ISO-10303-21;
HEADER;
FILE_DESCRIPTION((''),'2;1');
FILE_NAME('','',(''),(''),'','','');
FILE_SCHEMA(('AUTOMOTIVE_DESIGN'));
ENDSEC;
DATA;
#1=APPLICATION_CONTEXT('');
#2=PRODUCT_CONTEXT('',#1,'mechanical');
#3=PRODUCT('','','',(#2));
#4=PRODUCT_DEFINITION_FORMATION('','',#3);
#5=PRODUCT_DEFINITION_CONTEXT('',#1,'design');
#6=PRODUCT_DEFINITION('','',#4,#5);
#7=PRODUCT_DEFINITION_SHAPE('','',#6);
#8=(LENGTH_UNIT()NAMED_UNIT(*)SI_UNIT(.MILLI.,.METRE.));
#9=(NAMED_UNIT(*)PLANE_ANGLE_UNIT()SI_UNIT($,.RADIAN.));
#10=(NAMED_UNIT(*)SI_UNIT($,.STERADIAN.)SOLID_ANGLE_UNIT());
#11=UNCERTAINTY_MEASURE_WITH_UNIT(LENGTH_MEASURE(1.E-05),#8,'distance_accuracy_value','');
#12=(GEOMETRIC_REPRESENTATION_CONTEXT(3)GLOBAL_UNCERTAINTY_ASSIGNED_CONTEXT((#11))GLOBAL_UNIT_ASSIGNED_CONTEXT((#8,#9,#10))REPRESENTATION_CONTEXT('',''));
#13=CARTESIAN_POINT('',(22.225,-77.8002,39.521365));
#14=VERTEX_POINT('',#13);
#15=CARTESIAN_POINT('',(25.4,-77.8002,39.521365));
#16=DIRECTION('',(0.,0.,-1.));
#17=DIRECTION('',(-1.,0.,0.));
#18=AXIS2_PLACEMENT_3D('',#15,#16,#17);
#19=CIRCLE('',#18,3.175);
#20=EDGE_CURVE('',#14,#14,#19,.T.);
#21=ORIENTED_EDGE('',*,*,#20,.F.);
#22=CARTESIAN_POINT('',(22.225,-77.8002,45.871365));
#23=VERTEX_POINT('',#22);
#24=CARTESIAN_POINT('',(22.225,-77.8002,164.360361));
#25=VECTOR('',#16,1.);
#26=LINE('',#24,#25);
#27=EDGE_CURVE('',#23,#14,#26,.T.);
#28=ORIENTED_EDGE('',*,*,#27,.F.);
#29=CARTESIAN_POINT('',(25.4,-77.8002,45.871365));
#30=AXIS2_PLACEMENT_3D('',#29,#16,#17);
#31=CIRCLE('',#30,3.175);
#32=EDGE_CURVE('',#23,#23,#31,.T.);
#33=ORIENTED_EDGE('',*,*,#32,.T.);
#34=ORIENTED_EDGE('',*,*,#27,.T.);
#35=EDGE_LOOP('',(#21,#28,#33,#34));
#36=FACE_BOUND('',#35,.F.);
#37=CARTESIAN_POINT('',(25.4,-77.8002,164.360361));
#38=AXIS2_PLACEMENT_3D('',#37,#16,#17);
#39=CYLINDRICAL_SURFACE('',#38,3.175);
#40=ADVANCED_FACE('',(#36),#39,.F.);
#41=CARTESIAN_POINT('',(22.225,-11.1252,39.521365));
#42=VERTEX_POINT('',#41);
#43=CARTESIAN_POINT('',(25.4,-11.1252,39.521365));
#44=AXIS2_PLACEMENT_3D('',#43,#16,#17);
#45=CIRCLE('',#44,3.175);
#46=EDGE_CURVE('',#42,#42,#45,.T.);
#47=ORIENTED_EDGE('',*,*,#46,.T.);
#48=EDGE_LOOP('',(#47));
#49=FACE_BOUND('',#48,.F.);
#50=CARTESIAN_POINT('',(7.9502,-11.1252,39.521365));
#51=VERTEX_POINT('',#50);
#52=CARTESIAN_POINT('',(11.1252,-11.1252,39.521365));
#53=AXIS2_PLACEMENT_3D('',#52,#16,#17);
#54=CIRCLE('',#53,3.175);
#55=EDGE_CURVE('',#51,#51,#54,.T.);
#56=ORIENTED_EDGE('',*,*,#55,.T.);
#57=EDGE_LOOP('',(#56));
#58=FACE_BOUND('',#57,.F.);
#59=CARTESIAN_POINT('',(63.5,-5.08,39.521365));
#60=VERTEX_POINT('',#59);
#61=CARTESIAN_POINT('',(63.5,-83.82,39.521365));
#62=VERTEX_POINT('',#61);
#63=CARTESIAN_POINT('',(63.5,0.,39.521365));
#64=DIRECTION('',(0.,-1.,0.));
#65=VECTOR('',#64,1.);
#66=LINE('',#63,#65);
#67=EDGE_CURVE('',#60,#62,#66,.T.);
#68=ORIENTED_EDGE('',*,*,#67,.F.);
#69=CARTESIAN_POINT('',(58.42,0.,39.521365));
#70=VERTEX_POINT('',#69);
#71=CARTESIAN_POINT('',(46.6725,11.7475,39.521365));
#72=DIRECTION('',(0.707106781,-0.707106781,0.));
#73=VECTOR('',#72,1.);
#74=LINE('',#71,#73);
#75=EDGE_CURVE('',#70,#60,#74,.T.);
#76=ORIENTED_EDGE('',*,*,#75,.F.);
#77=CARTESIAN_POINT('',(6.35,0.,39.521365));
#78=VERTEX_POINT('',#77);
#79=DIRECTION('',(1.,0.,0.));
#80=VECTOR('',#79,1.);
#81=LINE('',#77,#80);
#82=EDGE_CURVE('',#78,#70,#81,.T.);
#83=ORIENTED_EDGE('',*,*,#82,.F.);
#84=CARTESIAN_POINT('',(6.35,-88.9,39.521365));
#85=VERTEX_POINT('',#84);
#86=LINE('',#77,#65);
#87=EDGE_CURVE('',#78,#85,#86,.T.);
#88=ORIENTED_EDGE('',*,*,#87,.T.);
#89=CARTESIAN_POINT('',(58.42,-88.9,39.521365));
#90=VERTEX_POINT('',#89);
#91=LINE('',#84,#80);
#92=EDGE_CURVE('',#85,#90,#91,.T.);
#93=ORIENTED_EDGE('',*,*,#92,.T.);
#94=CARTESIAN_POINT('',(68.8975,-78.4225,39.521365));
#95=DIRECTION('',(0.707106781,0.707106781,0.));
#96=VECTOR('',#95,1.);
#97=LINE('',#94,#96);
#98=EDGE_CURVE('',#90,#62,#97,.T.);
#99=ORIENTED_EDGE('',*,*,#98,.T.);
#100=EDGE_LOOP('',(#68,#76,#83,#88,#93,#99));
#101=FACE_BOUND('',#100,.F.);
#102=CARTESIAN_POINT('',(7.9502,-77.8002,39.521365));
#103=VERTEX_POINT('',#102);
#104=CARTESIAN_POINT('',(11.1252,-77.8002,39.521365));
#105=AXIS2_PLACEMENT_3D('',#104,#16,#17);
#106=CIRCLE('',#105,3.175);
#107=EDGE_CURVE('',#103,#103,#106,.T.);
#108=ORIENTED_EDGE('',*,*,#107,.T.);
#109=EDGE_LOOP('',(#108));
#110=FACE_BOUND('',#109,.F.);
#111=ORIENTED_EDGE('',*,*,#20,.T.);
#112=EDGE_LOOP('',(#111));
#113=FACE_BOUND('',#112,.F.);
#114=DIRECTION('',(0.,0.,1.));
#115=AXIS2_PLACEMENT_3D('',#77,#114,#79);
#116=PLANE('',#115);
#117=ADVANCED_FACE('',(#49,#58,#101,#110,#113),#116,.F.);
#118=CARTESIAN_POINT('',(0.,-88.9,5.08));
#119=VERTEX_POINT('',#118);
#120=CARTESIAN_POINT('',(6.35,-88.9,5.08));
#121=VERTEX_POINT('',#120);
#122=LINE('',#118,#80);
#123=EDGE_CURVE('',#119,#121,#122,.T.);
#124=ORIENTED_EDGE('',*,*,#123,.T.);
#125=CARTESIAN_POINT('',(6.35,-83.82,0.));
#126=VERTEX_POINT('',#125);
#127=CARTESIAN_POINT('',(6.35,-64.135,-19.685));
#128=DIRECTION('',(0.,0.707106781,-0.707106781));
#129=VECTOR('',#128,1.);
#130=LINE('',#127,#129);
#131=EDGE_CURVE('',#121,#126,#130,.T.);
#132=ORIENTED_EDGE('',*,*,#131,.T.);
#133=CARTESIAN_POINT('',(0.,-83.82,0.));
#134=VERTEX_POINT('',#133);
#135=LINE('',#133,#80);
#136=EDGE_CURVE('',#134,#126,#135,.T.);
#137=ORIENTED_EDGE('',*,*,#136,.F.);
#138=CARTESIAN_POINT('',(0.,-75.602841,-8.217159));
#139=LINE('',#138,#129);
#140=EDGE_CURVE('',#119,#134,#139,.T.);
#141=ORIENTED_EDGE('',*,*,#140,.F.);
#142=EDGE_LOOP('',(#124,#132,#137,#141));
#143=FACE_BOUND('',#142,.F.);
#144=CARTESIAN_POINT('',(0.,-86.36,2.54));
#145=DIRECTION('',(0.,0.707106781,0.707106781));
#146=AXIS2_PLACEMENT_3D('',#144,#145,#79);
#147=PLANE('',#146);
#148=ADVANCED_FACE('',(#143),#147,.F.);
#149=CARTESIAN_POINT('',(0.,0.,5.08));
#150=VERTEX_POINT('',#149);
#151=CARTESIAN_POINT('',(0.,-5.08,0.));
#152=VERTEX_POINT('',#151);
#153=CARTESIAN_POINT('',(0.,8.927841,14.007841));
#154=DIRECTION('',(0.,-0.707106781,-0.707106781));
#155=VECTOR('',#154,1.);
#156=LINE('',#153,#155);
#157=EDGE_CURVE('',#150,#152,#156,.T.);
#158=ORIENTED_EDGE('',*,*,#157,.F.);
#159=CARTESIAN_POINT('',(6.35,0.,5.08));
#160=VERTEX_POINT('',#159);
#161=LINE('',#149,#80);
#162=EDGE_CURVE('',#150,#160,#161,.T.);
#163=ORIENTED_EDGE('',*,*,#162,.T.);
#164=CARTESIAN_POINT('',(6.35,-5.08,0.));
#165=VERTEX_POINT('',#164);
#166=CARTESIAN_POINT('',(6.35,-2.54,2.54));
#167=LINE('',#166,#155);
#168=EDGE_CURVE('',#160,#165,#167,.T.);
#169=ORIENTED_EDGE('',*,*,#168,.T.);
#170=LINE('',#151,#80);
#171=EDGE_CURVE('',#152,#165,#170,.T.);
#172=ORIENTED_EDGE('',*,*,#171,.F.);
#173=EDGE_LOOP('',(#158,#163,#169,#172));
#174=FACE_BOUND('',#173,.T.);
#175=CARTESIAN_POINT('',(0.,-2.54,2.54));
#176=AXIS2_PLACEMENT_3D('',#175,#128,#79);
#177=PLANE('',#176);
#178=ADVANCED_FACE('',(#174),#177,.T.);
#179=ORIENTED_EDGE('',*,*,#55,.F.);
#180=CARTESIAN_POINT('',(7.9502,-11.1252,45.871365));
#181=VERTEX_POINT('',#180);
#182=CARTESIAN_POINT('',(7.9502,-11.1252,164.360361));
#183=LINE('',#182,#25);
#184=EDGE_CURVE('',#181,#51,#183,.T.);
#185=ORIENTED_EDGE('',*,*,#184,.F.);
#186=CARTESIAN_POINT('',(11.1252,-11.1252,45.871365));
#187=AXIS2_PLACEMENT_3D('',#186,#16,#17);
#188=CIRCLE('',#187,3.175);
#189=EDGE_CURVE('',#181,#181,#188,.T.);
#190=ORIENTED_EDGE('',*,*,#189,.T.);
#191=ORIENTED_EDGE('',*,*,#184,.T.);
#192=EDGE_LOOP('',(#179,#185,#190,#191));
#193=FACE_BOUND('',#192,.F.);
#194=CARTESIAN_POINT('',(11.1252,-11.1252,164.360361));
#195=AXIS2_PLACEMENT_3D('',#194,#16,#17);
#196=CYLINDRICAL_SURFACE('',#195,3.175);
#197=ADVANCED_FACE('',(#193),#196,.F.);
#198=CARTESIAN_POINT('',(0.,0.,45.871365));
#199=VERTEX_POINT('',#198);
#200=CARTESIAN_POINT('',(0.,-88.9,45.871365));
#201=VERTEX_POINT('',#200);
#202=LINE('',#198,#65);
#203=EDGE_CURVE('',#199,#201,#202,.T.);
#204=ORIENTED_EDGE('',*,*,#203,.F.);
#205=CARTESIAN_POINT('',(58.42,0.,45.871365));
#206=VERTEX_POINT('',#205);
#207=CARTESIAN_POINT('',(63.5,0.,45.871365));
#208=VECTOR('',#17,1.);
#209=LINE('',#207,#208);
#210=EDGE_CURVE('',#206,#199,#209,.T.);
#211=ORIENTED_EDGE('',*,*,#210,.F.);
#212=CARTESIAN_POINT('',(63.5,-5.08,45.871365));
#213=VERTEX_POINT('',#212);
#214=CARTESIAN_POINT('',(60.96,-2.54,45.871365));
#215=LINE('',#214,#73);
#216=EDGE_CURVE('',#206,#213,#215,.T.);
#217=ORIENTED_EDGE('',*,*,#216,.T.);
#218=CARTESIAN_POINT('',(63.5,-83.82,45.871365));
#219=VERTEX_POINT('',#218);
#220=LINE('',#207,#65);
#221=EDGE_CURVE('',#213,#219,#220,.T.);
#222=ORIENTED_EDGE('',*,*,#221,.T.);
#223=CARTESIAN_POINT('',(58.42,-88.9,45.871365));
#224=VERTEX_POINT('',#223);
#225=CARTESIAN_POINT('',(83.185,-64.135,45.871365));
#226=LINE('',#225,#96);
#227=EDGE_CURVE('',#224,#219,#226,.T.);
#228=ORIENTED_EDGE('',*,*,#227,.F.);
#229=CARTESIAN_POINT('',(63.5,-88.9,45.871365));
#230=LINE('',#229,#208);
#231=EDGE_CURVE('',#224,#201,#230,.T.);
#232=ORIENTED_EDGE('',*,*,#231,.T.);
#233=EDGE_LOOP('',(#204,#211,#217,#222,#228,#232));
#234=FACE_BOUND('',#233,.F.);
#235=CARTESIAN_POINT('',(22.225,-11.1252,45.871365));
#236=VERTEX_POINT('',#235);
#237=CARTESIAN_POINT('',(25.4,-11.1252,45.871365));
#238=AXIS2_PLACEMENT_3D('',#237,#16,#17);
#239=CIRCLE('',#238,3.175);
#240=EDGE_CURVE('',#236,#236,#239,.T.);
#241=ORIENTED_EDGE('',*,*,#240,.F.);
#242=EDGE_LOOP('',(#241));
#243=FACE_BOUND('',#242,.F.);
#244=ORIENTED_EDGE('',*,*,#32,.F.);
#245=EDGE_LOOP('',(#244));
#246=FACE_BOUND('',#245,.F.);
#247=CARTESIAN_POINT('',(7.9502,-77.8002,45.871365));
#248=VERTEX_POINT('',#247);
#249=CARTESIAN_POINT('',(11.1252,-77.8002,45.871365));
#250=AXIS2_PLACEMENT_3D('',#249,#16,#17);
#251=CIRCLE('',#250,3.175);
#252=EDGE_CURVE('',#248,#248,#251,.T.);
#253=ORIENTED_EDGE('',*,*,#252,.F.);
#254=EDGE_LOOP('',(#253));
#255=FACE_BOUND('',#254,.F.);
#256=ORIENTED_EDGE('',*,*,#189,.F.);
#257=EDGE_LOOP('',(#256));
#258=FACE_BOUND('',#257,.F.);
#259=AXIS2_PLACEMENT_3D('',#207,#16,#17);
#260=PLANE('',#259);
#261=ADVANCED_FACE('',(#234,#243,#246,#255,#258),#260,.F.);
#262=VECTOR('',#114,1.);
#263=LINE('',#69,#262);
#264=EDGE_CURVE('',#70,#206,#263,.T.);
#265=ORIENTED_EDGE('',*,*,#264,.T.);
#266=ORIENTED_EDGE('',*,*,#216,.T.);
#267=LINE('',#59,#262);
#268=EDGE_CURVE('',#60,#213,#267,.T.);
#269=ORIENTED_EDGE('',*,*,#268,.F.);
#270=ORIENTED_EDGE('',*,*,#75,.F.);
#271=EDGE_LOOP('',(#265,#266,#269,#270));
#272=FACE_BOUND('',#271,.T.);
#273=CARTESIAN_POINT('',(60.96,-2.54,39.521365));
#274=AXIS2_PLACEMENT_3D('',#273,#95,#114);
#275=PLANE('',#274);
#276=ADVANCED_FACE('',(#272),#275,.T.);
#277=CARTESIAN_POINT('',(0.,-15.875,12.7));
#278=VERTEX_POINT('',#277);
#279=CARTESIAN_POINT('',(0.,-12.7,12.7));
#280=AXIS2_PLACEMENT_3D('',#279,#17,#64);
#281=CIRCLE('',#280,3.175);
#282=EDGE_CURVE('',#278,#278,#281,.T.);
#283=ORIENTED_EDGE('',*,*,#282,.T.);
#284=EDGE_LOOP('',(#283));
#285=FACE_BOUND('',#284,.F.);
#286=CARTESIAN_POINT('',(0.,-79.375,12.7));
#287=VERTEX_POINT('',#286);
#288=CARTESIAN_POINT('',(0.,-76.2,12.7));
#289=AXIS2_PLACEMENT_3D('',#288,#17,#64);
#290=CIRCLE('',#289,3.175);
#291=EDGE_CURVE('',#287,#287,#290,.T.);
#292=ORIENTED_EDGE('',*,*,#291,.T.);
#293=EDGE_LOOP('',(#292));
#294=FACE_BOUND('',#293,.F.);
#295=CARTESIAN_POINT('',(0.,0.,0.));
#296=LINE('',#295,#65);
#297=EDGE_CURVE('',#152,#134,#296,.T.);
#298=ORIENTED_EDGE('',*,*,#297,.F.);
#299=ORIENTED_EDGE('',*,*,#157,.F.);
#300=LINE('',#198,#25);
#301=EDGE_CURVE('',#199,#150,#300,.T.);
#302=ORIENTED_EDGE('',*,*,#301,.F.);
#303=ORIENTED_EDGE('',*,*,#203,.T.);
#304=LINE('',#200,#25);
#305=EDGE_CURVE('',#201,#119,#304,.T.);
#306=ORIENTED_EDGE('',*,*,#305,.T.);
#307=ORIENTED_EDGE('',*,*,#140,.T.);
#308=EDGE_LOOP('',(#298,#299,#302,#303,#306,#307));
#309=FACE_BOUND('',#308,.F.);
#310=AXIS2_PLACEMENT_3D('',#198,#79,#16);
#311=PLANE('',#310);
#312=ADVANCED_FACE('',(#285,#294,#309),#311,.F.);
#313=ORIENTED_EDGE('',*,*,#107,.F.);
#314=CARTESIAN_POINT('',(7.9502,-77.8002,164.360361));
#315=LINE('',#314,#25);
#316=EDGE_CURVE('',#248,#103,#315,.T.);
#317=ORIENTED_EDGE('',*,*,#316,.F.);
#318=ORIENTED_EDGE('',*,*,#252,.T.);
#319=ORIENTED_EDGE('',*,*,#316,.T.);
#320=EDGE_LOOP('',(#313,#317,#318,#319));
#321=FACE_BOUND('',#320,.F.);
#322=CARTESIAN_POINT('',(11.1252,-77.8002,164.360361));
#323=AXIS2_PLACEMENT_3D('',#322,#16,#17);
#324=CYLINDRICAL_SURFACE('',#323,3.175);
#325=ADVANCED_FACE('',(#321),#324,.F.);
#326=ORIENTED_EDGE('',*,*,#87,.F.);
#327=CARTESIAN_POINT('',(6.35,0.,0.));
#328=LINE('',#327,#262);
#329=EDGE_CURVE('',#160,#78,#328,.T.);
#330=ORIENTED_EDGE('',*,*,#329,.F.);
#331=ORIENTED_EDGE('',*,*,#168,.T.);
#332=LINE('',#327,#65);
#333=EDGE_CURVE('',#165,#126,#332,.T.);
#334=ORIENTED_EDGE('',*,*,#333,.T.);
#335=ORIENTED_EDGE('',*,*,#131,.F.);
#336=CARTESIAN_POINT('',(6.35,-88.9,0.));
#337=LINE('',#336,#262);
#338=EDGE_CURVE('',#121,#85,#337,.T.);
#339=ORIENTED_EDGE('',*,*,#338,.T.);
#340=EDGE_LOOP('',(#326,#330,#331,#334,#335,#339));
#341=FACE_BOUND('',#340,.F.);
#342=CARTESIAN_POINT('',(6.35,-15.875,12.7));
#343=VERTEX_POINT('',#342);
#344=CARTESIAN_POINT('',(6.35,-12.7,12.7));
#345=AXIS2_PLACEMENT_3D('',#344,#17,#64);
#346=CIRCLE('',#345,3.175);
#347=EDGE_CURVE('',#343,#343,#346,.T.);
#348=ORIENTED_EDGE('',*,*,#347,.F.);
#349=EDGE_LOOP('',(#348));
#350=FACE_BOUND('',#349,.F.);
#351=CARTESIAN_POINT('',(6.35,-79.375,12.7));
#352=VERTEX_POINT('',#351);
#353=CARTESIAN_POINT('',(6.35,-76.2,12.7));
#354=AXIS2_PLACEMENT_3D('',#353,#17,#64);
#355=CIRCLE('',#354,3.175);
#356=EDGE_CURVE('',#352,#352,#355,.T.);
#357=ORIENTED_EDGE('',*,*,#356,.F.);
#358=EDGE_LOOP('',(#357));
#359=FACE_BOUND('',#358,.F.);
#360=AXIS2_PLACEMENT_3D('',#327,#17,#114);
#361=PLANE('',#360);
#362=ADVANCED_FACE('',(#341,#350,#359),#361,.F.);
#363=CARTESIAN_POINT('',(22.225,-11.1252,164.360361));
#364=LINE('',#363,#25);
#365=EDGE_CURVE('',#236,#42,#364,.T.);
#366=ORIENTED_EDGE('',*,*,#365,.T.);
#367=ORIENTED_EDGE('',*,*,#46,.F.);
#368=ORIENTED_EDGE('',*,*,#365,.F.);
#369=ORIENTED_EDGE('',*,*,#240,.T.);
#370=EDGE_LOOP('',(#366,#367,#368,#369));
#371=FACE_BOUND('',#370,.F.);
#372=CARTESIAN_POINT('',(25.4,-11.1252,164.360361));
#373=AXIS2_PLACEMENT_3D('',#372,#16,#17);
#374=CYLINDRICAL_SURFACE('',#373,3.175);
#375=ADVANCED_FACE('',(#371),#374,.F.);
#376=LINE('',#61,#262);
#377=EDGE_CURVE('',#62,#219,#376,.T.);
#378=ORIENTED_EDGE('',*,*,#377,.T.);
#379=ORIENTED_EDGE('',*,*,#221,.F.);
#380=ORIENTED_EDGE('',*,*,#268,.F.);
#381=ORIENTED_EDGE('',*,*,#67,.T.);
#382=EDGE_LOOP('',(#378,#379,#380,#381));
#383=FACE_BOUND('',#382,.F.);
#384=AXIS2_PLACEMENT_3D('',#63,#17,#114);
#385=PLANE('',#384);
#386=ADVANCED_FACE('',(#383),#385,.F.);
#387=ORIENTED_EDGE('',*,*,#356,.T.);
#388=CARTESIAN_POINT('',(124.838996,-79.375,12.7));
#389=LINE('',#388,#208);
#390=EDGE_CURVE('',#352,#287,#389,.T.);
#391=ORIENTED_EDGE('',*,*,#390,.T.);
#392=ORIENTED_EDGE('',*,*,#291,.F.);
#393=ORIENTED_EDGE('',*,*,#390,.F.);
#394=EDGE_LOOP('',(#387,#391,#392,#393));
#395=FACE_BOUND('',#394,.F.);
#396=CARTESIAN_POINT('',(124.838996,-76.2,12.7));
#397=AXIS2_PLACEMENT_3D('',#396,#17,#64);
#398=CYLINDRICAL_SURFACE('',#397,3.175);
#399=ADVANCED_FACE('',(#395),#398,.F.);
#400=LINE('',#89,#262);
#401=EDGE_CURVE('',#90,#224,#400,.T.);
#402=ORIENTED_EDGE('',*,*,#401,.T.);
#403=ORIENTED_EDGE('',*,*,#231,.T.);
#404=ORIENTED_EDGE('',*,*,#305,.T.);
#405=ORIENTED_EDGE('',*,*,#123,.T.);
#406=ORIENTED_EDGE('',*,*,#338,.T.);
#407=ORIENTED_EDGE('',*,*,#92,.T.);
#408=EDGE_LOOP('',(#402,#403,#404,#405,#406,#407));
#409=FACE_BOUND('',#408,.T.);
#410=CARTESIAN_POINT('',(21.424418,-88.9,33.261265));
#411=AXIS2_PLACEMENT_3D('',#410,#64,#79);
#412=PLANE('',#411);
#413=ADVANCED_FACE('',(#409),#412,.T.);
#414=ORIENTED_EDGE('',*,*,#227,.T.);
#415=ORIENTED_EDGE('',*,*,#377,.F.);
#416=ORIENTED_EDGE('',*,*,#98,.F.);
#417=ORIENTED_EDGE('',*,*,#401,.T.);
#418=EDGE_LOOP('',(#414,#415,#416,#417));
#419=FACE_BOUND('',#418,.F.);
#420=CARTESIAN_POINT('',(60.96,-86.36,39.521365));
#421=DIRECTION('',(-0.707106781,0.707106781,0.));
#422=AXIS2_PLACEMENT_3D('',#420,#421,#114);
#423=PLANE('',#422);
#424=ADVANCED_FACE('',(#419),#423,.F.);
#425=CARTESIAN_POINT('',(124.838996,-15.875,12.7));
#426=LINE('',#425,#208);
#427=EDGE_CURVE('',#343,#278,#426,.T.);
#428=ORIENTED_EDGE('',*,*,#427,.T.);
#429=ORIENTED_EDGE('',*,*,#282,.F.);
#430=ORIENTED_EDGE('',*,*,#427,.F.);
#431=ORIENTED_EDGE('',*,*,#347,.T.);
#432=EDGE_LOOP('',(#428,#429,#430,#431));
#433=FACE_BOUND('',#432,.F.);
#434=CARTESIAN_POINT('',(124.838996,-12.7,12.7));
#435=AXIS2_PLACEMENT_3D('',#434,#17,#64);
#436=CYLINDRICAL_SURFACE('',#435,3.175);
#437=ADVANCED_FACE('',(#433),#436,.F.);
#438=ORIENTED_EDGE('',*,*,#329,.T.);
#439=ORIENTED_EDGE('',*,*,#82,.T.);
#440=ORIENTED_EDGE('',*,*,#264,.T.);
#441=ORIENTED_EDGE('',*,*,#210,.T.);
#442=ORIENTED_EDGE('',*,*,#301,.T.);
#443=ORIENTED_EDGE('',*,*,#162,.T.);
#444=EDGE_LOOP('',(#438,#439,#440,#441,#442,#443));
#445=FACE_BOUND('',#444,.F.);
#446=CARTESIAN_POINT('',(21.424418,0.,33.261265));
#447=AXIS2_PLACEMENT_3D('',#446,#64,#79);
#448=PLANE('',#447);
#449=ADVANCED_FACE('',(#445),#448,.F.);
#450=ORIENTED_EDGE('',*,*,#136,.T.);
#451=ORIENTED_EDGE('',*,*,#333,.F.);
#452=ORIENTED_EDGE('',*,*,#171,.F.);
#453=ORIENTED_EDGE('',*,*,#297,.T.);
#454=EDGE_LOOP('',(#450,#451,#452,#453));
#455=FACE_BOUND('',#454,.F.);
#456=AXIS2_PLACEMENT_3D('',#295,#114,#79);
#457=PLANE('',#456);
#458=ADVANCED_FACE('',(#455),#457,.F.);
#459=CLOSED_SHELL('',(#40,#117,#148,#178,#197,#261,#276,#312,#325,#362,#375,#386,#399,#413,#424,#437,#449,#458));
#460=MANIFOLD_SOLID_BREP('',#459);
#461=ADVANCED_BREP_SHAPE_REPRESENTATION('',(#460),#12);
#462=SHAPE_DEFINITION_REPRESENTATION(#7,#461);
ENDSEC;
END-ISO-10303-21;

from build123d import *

# Parameters (mm, degrees)
F1_DEPTH = 88.9
F3_D     = 6.35
F4_SIZE  = 5.08
F6_D     = 6.35


with BuildPart() as f1:
    # F0 (on Front) → F1 (new body)
    with BuildSketch(Plane.XZ):
        Polygon((0, 45.871365), (0, 0), (6.35, 0), (6.35, 39.521365), (63.5, 39.521365), (63.5, 45.871365), align=None)
    extrude(amount=F1_DEPTH)

    # F3 (through all)
    with Locations(Plane.YZ.offset(6.35)):
        with Locations((-76.2, 12.7), (-12.7, 12.7)):
            Hole(F3_D / 2)

    # F4
    f4_edges = [f1.edges().sort_by_distance(p)[0] for p in [
        (3.175, 0, 0),
        (3.175, -88.9, 0),
        (63.5, -88.9, 42.696365),
        (63.5, 0, 42.696365),
    ]]
    chamfer(f4_edges, length=F4_SIZE)

    # F6 (through all)
    with Locations(Plane.XY.offset(45.871365)):
        with Locations((11.1252, -11.1252), (25.4, -11.1252), (25.4, -77.8002), (11.1252, -77.8002)):
            Hole(F6_D / 2)


solid = f1.part
